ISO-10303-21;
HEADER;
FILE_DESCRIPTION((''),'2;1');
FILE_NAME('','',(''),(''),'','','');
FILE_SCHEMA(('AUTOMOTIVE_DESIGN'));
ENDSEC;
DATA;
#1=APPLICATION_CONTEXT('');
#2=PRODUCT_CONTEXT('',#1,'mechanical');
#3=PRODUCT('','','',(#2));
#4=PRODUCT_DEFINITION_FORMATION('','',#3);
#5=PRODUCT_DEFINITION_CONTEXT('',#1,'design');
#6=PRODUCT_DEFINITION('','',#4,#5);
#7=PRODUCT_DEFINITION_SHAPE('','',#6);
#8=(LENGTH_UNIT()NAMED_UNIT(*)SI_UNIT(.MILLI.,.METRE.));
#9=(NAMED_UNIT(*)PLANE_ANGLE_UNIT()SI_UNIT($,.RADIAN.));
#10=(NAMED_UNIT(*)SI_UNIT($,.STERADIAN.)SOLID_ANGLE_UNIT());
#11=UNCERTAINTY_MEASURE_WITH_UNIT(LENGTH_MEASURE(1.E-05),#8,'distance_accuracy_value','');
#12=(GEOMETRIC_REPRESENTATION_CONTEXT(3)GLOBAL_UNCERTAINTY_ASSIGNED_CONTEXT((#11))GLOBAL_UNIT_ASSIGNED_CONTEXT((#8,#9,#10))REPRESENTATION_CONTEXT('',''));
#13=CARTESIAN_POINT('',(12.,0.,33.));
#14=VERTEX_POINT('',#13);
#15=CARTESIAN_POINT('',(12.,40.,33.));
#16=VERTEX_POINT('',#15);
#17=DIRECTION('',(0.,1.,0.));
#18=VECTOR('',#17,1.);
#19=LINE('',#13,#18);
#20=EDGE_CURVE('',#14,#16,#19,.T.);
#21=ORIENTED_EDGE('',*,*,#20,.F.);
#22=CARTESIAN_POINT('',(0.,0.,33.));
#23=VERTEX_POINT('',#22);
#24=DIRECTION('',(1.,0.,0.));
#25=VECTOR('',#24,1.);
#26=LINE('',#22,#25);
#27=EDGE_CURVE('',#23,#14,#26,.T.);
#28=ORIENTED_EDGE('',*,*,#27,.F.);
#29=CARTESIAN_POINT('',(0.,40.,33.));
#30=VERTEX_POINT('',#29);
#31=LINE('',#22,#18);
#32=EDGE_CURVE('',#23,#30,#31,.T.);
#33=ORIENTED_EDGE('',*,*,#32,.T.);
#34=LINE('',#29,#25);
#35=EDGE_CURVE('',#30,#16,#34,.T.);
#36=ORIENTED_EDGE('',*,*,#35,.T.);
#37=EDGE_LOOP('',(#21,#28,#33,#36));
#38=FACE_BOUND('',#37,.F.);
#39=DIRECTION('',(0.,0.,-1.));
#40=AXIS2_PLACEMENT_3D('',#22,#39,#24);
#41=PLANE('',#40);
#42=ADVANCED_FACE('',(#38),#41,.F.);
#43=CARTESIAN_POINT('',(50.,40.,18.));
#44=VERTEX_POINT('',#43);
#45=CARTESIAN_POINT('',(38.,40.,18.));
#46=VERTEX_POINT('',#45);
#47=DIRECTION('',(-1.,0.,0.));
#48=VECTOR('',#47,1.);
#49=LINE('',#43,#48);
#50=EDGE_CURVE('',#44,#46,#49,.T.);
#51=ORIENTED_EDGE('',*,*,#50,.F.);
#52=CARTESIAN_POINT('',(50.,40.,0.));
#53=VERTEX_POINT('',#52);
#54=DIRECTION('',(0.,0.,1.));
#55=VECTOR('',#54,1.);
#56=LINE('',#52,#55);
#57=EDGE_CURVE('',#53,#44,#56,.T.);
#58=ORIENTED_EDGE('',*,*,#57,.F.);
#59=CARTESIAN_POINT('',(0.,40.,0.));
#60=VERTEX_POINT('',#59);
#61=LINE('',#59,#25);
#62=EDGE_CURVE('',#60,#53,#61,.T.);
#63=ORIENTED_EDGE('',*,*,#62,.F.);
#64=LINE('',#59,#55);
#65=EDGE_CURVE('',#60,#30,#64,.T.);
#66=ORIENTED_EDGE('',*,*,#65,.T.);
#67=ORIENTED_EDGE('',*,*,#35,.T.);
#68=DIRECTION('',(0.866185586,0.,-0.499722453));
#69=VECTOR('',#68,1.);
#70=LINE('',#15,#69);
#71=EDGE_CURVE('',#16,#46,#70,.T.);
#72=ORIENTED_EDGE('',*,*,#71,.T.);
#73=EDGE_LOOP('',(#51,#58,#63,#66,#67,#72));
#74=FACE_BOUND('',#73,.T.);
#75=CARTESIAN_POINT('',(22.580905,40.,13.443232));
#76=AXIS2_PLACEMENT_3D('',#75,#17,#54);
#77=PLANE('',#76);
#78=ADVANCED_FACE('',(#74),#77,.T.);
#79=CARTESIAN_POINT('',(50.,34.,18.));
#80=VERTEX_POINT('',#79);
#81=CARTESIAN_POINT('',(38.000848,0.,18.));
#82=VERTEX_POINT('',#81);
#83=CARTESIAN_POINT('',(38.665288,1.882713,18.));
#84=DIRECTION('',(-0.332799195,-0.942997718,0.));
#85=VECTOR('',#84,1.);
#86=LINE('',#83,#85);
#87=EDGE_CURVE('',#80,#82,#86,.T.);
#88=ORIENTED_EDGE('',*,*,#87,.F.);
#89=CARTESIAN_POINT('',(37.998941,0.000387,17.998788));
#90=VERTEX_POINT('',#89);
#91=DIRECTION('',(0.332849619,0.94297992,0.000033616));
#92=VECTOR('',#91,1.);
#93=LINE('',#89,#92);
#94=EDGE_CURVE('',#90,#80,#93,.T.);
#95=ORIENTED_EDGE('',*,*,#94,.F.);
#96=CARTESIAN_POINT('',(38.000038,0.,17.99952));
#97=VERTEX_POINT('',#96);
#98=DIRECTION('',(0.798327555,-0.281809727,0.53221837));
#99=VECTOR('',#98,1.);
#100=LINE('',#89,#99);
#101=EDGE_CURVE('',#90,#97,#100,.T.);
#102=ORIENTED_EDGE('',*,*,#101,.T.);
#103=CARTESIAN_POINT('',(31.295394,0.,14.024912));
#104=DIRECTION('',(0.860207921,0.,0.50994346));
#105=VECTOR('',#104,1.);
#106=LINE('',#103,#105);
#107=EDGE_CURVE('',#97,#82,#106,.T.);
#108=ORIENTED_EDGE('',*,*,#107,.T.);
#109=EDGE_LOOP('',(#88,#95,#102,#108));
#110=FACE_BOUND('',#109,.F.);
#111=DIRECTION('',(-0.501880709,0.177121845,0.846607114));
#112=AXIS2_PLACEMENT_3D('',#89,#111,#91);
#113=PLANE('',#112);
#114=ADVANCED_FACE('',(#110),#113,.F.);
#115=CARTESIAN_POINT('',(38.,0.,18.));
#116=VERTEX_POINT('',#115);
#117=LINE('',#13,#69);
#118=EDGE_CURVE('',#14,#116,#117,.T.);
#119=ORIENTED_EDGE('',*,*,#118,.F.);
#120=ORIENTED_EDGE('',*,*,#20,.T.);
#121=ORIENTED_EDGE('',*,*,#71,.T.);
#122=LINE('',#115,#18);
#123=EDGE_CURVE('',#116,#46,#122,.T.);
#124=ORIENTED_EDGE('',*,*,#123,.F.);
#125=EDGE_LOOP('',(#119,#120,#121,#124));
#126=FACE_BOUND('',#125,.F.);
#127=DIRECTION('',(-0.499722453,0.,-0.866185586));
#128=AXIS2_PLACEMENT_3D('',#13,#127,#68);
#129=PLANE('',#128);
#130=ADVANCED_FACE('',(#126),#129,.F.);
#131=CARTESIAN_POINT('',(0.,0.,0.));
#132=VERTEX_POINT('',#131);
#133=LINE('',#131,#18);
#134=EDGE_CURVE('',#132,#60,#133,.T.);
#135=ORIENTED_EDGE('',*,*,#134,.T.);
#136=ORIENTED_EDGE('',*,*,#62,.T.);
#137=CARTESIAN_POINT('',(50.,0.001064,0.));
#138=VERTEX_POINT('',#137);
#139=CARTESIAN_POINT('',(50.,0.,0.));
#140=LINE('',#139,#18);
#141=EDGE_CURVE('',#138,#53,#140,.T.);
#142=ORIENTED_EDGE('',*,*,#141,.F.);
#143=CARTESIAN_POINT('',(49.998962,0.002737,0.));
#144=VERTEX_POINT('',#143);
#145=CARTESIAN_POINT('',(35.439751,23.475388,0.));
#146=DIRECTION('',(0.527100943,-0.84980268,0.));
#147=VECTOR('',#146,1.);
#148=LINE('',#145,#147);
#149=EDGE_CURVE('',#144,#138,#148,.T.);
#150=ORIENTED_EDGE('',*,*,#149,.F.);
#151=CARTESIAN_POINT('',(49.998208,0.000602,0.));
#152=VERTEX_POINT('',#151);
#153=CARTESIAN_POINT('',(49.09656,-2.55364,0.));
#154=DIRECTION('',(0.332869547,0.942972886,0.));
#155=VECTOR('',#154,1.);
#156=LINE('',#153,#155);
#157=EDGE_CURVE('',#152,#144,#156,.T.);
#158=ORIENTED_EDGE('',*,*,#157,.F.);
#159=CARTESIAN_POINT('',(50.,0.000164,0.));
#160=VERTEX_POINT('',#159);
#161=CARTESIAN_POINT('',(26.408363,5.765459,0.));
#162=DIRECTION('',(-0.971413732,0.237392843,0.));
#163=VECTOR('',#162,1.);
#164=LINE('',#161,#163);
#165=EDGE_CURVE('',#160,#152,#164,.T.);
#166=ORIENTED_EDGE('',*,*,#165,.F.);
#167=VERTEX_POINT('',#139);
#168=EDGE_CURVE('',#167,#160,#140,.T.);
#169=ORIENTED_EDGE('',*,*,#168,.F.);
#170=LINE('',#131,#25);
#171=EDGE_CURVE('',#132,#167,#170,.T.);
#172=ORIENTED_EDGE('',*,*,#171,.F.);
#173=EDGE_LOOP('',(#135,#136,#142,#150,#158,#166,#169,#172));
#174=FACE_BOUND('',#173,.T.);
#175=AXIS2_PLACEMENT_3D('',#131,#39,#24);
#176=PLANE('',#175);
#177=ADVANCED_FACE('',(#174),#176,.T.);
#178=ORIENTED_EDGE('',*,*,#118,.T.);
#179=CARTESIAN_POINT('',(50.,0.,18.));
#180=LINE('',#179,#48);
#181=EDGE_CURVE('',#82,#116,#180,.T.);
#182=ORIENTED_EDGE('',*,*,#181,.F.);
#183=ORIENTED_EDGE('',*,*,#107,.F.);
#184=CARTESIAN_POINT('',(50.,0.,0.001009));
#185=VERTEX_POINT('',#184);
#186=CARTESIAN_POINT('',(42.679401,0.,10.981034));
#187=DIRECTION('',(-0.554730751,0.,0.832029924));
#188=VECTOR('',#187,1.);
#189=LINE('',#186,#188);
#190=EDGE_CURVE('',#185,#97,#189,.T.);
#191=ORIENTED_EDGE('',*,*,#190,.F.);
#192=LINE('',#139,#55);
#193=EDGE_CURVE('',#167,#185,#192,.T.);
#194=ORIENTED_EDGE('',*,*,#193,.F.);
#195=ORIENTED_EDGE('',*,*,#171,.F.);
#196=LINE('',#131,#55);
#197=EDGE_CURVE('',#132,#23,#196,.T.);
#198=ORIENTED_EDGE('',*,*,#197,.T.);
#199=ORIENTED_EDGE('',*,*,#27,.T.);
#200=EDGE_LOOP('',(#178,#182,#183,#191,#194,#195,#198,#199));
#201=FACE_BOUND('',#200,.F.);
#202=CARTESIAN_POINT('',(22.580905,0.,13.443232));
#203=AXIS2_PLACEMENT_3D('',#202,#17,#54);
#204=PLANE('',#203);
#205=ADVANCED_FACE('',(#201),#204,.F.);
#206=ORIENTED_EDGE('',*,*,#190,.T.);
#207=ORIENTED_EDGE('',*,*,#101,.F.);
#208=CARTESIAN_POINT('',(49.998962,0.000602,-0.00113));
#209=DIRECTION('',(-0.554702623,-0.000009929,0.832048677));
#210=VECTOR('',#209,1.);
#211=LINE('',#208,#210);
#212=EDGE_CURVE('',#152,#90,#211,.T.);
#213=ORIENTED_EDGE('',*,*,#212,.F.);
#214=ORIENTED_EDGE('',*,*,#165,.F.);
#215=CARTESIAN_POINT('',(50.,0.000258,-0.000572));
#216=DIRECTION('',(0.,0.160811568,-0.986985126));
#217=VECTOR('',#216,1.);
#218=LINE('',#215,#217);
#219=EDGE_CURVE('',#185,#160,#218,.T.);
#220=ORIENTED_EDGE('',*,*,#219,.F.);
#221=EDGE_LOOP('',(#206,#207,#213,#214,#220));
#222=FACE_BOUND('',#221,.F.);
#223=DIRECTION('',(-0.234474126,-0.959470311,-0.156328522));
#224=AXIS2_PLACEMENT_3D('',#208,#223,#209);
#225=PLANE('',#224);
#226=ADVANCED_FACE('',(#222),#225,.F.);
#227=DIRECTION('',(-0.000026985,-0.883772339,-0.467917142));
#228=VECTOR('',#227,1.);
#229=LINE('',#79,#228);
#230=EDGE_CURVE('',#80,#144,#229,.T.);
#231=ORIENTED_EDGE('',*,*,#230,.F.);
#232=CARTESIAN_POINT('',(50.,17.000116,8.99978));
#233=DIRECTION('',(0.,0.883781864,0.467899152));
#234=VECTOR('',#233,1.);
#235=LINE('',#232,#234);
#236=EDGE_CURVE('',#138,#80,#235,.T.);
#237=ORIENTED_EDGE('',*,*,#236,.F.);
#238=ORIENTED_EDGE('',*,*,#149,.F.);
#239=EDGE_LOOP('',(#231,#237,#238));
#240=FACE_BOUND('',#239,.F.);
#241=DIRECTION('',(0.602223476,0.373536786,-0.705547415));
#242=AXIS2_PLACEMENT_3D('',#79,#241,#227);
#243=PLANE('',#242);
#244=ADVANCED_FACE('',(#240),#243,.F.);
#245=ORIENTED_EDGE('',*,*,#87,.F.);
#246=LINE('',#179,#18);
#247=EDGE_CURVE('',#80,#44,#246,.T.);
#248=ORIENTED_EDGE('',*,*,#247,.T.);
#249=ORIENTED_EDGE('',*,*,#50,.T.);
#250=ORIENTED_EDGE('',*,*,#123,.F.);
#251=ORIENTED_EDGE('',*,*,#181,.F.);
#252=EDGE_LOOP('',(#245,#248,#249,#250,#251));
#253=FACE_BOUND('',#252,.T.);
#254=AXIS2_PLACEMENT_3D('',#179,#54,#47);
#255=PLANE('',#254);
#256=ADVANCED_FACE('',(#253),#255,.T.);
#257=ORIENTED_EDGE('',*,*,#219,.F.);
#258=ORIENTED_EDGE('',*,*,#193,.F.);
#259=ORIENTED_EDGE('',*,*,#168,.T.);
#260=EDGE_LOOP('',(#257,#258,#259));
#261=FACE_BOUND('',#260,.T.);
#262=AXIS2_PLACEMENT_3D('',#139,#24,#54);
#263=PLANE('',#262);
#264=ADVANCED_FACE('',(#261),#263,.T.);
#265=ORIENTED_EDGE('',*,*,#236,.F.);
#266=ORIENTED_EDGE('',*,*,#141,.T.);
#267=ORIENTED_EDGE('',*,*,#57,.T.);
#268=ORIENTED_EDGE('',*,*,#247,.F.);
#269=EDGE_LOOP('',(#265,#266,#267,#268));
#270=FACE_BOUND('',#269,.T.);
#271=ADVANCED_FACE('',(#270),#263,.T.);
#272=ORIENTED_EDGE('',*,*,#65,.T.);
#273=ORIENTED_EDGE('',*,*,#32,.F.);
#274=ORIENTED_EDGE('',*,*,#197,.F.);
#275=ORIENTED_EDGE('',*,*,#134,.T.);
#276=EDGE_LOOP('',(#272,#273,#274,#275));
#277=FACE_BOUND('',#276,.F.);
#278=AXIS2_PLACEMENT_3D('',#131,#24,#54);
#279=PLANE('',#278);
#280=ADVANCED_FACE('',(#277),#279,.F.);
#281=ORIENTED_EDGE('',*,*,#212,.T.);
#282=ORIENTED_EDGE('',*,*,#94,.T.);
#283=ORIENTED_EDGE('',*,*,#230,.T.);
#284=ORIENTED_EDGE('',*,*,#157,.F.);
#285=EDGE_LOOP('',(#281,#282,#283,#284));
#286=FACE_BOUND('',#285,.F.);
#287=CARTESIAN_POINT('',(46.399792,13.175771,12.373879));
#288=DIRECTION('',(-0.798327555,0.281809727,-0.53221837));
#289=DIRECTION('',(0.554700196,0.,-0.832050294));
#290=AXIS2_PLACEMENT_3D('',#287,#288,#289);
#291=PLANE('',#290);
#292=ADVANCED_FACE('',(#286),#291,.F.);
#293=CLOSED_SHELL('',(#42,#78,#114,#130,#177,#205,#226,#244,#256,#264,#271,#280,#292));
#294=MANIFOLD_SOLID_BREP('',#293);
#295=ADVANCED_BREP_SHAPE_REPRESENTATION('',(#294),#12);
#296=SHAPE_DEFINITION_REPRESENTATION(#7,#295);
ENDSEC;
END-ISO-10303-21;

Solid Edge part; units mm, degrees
sketch "Sketch1" plane through (0, 0, 0) normal (0, -1, 0) x (1, 0, 0)
  line L0 (0, 33) -> (12, 33)
  line L1 (12, 33) -> (38, 18)
  line L2 (50, 18) -> (38, 18)
  line L3 (50, 0) -> (50, 18)
  line L4 (0, 0) -> (50, 0)
  line L5 (0, 0) -> (0, 33)
extrude "Protrusion1" add sketch "Sketch1" against normal blind 40
sketch "Sketch2" plane through (50, 34, 18) normal (0.7983, -0.2818, 0.5322) x (-0.3328, -0.943, 0)
  line L0 (32.0617, 21.2614) -> (36.0555, 0)
  line L1 (36.0555, 0) -> (0, 0)
  line L2 (0, 0) -> (32.0617, 21.2614)
extrude "ExtrudedCutout_1" cut sketch "Sketch2" along normal blind 125.9974
